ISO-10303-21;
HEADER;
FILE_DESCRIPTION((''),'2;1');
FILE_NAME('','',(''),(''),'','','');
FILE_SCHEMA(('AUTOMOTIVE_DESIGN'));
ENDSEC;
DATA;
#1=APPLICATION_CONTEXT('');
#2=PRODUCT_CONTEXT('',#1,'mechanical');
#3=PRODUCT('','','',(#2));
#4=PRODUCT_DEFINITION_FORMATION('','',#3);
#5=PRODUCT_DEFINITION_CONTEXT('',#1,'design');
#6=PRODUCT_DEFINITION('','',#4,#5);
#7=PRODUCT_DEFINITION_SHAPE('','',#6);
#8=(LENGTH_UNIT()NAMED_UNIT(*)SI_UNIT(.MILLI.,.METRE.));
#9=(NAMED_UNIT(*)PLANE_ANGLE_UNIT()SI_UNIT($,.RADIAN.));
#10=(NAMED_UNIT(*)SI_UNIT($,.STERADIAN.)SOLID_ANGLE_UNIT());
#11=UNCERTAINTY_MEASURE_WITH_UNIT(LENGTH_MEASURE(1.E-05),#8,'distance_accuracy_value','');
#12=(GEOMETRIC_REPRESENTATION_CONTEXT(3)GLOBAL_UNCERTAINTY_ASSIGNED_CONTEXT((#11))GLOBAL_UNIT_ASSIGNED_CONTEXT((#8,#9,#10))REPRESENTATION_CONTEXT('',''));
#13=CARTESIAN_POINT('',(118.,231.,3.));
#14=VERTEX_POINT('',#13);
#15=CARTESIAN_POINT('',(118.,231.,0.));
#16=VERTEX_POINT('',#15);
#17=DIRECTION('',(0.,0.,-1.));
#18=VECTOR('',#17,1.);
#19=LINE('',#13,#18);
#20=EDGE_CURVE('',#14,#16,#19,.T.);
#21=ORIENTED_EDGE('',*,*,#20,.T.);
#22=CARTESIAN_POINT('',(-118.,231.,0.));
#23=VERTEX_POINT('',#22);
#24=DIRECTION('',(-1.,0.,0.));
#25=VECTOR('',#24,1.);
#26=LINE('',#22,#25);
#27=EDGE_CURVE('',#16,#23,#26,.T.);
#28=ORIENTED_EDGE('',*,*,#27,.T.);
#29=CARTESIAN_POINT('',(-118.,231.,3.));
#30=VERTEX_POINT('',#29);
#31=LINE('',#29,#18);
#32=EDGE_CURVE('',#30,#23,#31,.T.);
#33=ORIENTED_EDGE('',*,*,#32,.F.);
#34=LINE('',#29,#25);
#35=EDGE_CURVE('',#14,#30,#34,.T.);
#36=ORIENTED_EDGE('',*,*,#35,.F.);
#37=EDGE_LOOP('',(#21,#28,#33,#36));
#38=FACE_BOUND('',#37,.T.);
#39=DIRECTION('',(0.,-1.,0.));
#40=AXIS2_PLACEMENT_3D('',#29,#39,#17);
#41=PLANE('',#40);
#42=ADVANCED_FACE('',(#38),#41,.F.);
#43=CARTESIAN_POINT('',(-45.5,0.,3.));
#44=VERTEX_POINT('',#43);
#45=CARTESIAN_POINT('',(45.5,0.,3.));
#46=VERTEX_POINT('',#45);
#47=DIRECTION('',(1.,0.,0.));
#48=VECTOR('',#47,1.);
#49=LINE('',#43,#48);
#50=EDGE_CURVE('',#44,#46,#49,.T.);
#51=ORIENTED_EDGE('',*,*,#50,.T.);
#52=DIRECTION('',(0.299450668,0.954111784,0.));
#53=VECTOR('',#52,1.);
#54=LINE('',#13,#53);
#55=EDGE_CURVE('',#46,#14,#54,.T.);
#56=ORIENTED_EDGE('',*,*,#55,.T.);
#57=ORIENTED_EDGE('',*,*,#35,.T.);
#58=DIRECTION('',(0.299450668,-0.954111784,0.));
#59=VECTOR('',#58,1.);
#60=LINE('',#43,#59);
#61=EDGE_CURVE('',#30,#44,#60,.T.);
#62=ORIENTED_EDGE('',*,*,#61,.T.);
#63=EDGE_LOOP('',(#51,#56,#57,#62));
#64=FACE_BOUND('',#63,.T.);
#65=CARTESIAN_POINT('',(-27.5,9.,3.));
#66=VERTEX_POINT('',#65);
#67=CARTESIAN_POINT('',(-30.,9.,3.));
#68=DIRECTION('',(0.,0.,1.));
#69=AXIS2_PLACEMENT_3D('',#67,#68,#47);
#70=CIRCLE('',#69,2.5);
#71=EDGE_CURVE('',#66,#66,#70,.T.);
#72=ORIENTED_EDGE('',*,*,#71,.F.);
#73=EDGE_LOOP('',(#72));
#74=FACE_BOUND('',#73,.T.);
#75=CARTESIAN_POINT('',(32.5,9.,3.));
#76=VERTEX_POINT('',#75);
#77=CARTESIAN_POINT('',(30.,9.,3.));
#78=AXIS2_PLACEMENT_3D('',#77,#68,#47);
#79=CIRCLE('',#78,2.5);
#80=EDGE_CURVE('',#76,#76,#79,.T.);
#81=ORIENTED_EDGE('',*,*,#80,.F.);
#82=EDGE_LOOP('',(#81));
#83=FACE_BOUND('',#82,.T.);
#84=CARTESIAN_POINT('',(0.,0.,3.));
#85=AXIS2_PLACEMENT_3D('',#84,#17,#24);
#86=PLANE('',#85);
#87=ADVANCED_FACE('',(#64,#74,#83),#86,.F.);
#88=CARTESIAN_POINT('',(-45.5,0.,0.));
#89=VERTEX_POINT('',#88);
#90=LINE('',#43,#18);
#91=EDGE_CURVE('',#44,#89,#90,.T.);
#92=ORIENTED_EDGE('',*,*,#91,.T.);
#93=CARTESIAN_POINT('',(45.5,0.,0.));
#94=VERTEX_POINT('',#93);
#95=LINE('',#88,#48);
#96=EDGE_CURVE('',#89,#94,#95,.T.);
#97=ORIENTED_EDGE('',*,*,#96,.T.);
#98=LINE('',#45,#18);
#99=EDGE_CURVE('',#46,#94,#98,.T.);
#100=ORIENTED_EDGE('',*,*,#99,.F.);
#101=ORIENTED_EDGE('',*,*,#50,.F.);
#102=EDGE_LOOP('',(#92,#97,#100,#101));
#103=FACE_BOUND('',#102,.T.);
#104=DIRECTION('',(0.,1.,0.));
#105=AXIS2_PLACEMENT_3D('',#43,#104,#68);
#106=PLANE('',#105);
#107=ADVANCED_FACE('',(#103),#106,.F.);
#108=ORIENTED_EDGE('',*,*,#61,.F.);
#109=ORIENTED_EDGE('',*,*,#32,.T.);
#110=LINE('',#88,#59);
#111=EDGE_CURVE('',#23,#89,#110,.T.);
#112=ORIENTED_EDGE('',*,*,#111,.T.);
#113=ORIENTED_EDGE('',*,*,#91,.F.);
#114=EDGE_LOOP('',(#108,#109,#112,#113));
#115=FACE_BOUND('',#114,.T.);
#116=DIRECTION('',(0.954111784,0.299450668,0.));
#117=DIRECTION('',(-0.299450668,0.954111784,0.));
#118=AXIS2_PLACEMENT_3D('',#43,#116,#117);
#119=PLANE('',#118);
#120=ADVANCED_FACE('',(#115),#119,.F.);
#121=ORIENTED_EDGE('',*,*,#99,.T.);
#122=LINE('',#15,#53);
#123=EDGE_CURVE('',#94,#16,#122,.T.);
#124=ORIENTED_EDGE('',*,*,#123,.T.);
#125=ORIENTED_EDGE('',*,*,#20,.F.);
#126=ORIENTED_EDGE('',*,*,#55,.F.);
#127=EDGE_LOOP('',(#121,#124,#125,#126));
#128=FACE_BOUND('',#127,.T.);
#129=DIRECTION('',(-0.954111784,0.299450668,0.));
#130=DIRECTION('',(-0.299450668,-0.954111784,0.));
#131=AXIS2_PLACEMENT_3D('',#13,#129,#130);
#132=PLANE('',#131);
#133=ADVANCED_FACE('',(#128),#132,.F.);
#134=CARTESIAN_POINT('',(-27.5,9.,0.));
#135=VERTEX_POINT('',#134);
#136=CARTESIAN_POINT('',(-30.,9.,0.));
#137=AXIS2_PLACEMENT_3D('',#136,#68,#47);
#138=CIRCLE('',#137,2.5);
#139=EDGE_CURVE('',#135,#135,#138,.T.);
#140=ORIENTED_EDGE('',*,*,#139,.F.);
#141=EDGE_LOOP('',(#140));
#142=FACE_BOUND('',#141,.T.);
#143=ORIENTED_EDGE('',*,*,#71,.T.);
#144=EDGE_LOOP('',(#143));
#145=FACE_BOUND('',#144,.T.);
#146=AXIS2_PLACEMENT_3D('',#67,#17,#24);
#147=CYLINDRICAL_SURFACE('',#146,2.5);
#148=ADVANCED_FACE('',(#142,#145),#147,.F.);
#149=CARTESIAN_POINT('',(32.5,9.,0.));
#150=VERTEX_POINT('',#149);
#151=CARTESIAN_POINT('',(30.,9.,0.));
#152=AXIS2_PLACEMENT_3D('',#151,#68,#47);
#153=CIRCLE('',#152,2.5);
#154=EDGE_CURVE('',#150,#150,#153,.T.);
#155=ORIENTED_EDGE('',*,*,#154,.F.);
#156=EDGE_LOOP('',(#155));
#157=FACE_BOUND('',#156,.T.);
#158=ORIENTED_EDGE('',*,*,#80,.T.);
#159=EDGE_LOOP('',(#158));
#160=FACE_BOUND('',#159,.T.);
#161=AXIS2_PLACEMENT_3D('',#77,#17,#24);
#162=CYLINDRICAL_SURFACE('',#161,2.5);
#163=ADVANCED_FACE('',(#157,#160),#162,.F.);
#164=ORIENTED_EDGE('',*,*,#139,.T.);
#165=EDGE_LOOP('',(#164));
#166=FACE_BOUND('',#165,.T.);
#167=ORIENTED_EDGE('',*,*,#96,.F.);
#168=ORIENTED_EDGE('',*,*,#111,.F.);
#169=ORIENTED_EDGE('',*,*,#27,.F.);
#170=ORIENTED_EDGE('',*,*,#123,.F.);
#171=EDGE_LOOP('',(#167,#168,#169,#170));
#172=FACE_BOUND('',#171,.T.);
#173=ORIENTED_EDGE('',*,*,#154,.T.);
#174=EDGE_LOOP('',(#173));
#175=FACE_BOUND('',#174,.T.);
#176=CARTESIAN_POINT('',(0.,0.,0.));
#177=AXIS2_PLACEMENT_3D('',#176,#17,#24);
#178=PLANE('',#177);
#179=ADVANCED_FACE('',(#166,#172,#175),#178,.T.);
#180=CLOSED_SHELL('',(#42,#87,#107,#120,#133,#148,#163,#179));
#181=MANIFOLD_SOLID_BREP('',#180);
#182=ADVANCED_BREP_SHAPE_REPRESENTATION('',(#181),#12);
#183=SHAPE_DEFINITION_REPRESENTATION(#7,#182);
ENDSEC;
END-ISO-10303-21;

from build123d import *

# Parameters (mm, degrees)
CROQUIS1_R              = 2.5
SALIENTE_EXTRUIR1_DEPTH = 3


with BuildPart() as part:
    # Croquis1 → Saliente-Extruir1 (new body)
    with BuildSketch(Plane.XY):
        Polygon((-45.5, 0), (-118, 231), (118, 231), (45.5, 0), align=None)
        with Locations((-30, 9)):
            Circle(CROQUIS1_R, mode=Mode.SUBTRACT)
        with Locations((30, 9)):
            Circle(CROQUIS1_R, mode=Mode.SUBTRACT)
    extrude(amount=SALIENTE_EXTRUIR1_DEPTH)


solid = part.part
